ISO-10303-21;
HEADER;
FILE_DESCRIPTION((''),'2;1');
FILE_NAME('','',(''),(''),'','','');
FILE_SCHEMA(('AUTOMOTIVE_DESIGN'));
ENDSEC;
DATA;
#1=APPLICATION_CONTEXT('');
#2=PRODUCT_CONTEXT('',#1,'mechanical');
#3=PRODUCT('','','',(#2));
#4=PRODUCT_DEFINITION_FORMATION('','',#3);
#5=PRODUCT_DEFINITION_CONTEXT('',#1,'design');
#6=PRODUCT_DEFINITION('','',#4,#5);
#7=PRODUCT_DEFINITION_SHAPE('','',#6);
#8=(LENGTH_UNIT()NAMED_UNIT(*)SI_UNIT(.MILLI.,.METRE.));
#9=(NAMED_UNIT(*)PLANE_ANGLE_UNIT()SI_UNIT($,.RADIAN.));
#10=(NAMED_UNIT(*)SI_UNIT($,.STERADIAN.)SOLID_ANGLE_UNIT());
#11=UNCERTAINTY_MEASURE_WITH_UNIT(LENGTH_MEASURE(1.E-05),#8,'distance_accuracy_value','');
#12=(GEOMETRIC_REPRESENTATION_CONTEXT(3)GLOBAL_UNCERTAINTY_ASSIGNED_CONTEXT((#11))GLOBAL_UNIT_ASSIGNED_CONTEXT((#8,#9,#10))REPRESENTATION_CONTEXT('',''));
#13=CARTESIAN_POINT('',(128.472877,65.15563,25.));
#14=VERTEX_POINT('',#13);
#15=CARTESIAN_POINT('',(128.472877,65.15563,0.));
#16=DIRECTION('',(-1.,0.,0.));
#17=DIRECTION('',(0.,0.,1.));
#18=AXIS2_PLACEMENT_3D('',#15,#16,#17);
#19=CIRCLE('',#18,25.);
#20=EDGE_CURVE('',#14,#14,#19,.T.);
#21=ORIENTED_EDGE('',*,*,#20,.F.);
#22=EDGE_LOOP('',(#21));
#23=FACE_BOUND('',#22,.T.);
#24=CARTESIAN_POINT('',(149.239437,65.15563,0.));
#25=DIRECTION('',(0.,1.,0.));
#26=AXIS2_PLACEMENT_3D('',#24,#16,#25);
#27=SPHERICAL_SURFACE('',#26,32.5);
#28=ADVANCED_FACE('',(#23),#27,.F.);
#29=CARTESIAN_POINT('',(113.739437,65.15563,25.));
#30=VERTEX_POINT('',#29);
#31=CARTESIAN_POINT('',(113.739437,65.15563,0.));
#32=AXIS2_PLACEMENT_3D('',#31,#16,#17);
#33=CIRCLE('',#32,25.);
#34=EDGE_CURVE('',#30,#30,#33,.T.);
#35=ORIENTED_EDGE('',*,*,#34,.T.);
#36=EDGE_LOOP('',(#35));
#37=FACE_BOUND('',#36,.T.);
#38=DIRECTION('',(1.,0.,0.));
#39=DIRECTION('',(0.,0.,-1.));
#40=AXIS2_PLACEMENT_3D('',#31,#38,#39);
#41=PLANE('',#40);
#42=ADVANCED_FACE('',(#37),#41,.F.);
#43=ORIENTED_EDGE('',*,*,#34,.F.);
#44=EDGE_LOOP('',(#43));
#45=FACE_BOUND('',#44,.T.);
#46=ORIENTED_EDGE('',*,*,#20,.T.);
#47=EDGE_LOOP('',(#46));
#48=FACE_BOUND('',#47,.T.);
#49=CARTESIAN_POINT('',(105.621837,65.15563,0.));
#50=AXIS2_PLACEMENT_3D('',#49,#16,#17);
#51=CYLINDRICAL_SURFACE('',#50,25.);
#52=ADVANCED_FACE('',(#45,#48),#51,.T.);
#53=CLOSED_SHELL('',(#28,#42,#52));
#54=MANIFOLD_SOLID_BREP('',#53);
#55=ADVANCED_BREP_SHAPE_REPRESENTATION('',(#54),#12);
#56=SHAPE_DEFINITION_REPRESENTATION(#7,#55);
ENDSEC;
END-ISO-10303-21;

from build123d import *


with BuildPart() as part:
    # 草图1 → 旋转1 (revolve)
    with BuildSketch(Plane.XY):
        with BuildLine():
            Line((113.739437135, 65.155630457), (113.739437135, 90.155630457))
            Line((113.739437135, 90.155630457), (128.472877477, 90.155630457))
            ThreePointArc((128.472877477, 90.155630457), (119.818669054, 78.963903541), (116.739437135, 65.155630457))
            Line((116.739437135, 65.155630457), (113.739437135, 65.155630457))
        make_face()
    revolve(axis=Axis((105.621837124, 65.155630457, 0), (1, 0, 0)))


solid = part.part
